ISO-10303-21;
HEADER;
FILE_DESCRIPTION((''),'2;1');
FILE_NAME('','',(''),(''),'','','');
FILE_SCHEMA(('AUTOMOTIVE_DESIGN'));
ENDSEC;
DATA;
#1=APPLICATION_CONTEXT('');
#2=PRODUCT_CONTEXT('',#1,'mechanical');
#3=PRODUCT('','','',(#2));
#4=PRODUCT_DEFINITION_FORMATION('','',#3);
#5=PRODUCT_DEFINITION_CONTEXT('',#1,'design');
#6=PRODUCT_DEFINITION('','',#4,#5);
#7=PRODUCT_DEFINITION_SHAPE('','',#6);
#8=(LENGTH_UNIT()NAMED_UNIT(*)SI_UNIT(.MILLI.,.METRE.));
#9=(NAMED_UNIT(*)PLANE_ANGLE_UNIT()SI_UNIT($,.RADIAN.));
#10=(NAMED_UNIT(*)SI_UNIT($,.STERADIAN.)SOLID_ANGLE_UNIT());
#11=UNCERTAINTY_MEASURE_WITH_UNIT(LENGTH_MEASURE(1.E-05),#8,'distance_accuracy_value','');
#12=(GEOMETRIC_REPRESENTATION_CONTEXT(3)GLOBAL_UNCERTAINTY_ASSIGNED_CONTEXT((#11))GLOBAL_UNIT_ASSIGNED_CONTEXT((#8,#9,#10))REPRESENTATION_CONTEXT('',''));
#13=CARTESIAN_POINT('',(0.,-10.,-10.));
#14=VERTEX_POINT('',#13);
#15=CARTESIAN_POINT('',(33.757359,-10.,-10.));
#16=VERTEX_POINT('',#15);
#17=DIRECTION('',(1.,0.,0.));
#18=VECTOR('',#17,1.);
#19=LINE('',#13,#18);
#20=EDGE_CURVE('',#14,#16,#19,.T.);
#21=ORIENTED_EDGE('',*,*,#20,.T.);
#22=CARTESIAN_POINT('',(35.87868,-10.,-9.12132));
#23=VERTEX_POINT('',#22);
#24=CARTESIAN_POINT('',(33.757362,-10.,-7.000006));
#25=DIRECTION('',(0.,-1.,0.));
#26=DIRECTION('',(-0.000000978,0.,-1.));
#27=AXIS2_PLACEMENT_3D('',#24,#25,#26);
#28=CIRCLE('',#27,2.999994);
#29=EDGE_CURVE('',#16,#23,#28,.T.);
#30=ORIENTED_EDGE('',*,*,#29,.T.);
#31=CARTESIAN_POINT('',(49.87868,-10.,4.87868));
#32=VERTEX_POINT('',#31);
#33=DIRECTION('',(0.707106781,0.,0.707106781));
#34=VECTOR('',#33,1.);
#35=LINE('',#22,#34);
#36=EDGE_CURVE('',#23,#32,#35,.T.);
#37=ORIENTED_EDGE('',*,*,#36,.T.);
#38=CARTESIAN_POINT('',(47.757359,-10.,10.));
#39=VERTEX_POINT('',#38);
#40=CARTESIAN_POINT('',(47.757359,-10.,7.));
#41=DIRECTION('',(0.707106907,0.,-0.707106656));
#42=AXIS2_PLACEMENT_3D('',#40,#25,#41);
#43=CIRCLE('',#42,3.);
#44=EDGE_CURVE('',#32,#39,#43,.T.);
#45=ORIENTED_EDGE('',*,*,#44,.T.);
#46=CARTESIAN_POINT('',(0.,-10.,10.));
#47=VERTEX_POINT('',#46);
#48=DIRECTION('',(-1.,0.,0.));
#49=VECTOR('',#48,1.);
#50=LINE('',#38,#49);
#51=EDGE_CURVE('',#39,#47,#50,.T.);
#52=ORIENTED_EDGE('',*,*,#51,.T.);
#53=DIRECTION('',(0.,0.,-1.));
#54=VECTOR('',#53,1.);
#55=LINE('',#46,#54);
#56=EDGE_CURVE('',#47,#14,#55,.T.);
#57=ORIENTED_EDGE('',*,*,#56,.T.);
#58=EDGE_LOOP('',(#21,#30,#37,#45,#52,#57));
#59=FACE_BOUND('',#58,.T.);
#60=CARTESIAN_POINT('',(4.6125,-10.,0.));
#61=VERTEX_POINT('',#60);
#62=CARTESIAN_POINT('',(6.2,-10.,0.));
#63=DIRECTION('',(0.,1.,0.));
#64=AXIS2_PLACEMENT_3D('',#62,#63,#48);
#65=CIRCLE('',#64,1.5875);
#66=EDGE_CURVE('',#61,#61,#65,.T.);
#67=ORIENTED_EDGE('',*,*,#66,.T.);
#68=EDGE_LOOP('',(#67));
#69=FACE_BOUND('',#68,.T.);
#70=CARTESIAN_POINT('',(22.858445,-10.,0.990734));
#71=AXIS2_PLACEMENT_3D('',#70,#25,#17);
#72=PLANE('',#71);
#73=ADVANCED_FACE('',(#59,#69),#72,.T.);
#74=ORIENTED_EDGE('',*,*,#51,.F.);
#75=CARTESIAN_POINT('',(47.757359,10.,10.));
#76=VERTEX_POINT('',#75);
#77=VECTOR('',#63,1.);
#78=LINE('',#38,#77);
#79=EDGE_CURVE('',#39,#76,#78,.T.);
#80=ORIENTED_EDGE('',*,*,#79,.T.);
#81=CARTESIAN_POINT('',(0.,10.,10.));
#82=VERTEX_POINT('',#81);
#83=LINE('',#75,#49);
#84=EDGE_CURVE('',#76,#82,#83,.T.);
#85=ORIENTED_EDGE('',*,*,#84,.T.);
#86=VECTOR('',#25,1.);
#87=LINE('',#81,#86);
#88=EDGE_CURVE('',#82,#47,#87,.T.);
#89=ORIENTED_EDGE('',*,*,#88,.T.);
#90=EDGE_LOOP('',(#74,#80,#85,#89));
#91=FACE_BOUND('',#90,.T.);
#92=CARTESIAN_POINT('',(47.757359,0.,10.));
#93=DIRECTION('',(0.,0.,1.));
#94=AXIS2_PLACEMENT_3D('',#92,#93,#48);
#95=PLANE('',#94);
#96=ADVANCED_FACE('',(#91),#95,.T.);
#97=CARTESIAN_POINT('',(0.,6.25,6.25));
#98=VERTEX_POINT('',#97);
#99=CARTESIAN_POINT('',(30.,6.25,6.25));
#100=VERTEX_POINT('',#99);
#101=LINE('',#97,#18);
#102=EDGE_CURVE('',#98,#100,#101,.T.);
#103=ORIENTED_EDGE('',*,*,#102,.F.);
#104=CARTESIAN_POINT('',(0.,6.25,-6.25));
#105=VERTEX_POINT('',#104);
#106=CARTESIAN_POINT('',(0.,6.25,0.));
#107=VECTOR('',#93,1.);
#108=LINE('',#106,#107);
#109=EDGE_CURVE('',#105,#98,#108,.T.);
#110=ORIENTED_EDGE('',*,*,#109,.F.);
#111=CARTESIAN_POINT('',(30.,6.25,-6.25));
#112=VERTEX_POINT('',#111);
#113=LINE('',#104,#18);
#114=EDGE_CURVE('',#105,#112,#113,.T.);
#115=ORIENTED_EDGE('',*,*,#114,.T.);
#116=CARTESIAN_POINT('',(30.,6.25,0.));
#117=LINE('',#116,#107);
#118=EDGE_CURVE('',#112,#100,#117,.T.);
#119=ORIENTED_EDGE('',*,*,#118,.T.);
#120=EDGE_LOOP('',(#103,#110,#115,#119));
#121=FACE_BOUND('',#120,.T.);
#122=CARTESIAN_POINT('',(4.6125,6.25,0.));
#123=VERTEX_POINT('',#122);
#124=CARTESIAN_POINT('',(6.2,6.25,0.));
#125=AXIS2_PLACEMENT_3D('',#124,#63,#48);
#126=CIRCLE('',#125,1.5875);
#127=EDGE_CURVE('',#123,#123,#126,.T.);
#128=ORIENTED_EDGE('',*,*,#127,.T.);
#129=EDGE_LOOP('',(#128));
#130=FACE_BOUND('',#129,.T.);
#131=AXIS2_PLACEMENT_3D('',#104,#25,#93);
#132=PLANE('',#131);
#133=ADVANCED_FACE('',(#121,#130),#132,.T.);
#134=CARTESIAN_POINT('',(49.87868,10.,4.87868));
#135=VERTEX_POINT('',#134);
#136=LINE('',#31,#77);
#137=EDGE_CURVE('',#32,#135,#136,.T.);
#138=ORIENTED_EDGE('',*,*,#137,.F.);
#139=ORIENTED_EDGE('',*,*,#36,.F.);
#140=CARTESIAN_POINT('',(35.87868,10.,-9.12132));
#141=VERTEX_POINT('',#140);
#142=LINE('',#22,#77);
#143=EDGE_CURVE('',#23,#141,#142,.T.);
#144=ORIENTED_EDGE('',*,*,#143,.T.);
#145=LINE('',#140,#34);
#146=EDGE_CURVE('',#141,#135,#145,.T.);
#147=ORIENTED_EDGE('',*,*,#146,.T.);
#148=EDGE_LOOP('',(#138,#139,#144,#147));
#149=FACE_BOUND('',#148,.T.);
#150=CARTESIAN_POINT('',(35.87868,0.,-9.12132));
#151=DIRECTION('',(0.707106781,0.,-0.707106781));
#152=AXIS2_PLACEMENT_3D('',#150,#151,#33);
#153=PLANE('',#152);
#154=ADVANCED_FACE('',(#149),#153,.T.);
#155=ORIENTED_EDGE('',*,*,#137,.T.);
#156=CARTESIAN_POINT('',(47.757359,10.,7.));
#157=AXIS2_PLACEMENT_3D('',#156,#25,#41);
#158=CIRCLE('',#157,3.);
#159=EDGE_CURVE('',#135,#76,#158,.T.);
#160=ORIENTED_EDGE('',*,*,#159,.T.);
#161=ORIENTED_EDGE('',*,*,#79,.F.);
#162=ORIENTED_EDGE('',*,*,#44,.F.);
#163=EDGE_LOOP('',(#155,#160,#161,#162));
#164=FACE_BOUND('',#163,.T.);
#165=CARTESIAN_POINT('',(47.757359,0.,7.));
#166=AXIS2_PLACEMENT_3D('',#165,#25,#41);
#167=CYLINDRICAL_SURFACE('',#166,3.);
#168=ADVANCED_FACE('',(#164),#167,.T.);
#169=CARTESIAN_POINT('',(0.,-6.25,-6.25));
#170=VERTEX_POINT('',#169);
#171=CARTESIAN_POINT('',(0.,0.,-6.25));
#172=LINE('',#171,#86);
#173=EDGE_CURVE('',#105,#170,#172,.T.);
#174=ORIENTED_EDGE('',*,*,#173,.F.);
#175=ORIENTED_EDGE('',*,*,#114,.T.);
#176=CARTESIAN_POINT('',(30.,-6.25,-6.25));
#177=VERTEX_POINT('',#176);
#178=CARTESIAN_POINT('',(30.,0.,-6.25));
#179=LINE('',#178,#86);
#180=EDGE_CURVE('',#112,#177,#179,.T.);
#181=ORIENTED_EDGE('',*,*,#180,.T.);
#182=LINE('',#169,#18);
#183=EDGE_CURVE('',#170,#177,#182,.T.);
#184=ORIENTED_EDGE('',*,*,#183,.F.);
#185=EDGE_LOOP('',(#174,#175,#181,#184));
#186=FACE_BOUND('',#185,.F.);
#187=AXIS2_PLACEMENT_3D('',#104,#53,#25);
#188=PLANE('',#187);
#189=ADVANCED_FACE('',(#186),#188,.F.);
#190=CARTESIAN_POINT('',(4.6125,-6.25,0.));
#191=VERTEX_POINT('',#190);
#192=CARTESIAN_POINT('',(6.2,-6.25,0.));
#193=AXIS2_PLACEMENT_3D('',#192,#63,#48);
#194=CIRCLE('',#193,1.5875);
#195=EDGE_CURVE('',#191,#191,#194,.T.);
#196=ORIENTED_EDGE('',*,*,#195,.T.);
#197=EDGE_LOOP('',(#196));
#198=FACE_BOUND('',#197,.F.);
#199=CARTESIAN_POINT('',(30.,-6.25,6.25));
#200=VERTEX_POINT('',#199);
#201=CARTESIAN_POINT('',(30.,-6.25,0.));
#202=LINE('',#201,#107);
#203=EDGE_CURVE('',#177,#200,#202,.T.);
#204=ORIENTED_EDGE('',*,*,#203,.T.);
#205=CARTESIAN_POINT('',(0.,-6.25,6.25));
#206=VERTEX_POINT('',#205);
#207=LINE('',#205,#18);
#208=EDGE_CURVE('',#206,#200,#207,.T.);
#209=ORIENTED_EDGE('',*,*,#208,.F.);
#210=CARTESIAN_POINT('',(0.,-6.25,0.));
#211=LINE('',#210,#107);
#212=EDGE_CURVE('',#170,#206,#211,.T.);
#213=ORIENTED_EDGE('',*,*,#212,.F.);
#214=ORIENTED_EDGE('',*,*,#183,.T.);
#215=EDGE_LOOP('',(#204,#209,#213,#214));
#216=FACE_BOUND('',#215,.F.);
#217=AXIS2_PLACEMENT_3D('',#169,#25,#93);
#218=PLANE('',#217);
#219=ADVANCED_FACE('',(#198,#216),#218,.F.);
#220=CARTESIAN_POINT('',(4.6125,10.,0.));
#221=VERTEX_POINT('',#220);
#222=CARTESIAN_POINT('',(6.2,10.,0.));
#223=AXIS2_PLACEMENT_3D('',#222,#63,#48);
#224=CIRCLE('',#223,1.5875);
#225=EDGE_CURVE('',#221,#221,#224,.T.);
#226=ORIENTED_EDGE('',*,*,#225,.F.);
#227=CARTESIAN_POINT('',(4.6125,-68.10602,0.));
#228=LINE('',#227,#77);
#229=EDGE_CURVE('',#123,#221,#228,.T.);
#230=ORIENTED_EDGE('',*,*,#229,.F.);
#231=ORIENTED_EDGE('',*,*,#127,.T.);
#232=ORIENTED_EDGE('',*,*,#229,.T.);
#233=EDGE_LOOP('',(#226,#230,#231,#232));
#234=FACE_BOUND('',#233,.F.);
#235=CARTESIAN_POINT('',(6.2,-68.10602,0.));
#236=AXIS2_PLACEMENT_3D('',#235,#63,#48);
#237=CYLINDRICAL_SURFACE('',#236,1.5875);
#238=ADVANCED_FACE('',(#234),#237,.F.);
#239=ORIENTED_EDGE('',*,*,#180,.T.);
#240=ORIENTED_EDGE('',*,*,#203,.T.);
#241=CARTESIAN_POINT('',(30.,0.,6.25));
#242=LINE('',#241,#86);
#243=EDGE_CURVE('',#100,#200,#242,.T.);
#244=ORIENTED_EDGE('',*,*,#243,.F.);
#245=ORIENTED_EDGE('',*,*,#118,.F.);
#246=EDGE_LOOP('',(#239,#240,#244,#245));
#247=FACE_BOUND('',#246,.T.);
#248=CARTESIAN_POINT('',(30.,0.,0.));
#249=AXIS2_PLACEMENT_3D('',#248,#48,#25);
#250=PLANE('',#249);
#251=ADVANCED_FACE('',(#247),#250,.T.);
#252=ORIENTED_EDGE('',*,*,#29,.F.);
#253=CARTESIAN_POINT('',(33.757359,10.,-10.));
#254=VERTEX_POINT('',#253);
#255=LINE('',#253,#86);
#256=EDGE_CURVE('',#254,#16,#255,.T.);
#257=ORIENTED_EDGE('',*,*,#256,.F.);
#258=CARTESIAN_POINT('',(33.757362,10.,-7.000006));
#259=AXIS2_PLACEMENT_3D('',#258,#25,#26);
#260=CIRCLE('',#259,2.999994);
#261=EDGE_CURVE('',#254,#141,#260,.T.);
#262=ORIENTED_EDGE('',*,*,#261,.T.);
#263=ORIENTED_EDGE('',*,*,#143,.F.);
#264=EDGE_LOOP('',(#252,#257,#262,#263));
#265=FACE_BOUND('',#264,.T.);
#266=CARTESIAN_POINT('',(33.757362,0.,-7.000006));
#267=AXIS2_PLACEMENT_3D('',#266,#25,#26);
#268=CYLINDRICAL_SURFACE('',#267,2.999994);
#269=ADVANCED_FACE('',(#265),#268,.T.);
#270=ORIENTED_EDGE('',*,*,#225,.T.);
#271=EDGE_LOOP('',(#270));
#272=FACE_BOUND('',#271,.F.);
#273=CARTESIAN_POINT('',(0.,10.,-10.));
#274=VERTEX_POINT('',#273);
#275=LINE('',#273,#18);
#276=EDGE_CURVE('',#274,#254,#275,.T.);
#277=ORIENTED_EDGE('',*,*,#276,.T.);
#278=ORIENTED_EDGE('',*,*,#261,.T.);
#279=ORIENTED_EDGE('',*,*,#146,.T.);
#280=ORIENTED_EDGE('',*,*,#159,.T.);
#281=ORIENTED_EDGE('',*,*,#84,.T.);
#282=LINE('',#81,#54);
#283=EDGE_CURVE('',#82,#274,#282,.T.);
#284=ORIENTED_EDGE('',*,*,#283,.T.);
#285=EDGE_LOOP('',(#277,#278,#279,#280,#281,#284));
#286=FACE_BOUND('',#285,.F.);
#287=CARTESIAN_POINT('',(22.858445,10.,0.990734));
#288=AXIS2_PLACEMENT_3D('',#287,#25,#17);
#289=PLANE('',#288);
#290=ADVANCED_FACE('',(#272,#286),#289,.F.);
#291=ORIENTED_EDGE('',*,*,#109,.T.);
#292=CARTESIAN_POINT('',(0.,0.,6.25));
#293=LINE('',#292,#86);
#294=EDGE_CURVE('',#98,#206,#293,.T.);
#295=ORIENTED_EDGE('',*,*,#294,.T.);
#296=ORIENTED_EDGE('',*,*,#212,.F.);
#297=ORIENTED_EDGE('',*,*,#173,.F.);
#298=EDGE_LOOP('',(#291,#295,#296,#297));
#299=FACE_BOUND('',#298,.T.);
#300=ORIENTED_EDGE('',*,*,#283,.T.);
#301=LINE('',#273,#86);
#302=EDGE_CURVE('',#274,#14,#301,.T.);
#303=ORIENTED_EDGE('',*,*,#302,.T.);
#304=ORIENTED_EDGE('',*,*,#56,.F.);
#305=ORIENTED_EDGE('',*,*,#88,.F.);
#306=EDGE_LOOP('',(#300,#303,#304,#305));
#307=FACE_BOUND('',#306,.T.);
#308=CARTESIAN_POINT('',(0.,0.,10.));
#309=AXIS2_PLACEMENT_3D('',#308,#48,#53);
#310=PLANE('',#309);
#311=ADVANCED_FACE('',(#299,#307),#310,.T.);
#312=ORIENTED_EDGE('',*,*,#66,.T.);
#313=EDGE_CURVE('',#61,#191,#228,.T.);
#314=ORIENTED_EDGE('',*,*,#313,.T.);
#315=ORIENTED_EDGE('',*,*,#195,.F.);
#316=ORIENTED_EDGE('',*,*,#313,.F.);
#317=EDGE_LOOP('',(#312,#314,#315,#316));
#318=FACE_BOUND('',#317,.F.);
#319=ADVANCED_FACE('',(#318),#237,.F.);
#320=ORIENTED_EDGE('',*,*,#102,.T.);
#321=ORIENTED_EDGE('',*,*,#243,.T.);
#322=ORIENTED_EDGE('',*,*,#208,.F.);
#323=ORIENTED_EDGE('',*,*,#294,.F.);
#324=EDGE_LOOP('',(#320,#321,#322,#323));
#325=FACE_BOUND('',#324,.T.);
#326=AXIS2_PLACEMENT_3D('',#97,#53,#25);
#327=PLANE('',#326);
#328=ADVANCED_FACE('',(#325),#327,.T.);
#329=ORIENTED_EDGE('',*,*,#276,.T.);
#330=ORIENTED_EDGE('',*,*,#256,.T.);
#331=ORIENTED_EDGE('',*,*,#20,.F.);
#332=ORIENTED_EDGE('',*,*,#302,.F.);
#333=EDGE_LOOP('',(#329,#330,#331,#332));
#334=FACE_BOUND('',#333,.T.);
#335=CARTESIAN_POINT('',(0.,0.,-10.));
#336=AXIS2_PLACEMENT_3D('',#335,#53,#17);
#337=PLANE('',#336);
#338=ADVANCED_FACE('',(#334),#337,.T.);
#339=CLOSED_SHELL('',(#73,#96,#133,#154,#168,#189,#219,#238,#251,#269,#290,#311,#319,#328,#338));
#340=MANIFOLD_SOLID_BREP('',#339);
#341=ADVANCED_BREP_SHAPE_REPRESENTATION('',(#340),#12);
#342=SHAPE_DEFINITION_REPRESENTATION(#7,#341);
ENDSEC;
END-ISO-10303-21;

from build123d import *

# Parameters (mm, degrees)
F1_DEPTH = 10
F2_W     = 12.5
F2_H     = 12.5
F3_DEPTH = 30
F5_D     = 3.175


with BuildPart() as f1:
    # F0 (on Front) → F1 (new body, symmetric)
    with BuildSketch(Plane.XZ):
        with BuildLine():
            Line((47.757359, 10), (0, 10))
            Line((0, 10), (0, -10))
            Line((0, -10), (33.757359, -10))
            ThreePointArc((33.757359, -10), (34.90541, -9.771639), (35.87868, -9.12132))
            Line((35.87868, -9.12132), (49.87868, 4.87868))
            ThreePointArc((49.87868, 4.87868), (50.528998, 8.14805), (47.757359, 10))
        make_face()
    extrude(amount=F1_DEPTH, both=True)

    # F2 (on face) → F3 (cut)
    with BuildSketch(Plane(origin=(0, 0, 0), x_dir=(0, -1, 0), z_dir=(-1, 0, 0))):
        Rectangle(F2_W, F2_H)
    extrude(amount=-F3_DEPTH, mode=Mode.SUBTRACT)

    # F5 (through all)
    with Locations(Plane.XZ.offset(10)):
        with Locations((6.2, 0)):
            Hole(F5_D / 2)


solid = f1.part
